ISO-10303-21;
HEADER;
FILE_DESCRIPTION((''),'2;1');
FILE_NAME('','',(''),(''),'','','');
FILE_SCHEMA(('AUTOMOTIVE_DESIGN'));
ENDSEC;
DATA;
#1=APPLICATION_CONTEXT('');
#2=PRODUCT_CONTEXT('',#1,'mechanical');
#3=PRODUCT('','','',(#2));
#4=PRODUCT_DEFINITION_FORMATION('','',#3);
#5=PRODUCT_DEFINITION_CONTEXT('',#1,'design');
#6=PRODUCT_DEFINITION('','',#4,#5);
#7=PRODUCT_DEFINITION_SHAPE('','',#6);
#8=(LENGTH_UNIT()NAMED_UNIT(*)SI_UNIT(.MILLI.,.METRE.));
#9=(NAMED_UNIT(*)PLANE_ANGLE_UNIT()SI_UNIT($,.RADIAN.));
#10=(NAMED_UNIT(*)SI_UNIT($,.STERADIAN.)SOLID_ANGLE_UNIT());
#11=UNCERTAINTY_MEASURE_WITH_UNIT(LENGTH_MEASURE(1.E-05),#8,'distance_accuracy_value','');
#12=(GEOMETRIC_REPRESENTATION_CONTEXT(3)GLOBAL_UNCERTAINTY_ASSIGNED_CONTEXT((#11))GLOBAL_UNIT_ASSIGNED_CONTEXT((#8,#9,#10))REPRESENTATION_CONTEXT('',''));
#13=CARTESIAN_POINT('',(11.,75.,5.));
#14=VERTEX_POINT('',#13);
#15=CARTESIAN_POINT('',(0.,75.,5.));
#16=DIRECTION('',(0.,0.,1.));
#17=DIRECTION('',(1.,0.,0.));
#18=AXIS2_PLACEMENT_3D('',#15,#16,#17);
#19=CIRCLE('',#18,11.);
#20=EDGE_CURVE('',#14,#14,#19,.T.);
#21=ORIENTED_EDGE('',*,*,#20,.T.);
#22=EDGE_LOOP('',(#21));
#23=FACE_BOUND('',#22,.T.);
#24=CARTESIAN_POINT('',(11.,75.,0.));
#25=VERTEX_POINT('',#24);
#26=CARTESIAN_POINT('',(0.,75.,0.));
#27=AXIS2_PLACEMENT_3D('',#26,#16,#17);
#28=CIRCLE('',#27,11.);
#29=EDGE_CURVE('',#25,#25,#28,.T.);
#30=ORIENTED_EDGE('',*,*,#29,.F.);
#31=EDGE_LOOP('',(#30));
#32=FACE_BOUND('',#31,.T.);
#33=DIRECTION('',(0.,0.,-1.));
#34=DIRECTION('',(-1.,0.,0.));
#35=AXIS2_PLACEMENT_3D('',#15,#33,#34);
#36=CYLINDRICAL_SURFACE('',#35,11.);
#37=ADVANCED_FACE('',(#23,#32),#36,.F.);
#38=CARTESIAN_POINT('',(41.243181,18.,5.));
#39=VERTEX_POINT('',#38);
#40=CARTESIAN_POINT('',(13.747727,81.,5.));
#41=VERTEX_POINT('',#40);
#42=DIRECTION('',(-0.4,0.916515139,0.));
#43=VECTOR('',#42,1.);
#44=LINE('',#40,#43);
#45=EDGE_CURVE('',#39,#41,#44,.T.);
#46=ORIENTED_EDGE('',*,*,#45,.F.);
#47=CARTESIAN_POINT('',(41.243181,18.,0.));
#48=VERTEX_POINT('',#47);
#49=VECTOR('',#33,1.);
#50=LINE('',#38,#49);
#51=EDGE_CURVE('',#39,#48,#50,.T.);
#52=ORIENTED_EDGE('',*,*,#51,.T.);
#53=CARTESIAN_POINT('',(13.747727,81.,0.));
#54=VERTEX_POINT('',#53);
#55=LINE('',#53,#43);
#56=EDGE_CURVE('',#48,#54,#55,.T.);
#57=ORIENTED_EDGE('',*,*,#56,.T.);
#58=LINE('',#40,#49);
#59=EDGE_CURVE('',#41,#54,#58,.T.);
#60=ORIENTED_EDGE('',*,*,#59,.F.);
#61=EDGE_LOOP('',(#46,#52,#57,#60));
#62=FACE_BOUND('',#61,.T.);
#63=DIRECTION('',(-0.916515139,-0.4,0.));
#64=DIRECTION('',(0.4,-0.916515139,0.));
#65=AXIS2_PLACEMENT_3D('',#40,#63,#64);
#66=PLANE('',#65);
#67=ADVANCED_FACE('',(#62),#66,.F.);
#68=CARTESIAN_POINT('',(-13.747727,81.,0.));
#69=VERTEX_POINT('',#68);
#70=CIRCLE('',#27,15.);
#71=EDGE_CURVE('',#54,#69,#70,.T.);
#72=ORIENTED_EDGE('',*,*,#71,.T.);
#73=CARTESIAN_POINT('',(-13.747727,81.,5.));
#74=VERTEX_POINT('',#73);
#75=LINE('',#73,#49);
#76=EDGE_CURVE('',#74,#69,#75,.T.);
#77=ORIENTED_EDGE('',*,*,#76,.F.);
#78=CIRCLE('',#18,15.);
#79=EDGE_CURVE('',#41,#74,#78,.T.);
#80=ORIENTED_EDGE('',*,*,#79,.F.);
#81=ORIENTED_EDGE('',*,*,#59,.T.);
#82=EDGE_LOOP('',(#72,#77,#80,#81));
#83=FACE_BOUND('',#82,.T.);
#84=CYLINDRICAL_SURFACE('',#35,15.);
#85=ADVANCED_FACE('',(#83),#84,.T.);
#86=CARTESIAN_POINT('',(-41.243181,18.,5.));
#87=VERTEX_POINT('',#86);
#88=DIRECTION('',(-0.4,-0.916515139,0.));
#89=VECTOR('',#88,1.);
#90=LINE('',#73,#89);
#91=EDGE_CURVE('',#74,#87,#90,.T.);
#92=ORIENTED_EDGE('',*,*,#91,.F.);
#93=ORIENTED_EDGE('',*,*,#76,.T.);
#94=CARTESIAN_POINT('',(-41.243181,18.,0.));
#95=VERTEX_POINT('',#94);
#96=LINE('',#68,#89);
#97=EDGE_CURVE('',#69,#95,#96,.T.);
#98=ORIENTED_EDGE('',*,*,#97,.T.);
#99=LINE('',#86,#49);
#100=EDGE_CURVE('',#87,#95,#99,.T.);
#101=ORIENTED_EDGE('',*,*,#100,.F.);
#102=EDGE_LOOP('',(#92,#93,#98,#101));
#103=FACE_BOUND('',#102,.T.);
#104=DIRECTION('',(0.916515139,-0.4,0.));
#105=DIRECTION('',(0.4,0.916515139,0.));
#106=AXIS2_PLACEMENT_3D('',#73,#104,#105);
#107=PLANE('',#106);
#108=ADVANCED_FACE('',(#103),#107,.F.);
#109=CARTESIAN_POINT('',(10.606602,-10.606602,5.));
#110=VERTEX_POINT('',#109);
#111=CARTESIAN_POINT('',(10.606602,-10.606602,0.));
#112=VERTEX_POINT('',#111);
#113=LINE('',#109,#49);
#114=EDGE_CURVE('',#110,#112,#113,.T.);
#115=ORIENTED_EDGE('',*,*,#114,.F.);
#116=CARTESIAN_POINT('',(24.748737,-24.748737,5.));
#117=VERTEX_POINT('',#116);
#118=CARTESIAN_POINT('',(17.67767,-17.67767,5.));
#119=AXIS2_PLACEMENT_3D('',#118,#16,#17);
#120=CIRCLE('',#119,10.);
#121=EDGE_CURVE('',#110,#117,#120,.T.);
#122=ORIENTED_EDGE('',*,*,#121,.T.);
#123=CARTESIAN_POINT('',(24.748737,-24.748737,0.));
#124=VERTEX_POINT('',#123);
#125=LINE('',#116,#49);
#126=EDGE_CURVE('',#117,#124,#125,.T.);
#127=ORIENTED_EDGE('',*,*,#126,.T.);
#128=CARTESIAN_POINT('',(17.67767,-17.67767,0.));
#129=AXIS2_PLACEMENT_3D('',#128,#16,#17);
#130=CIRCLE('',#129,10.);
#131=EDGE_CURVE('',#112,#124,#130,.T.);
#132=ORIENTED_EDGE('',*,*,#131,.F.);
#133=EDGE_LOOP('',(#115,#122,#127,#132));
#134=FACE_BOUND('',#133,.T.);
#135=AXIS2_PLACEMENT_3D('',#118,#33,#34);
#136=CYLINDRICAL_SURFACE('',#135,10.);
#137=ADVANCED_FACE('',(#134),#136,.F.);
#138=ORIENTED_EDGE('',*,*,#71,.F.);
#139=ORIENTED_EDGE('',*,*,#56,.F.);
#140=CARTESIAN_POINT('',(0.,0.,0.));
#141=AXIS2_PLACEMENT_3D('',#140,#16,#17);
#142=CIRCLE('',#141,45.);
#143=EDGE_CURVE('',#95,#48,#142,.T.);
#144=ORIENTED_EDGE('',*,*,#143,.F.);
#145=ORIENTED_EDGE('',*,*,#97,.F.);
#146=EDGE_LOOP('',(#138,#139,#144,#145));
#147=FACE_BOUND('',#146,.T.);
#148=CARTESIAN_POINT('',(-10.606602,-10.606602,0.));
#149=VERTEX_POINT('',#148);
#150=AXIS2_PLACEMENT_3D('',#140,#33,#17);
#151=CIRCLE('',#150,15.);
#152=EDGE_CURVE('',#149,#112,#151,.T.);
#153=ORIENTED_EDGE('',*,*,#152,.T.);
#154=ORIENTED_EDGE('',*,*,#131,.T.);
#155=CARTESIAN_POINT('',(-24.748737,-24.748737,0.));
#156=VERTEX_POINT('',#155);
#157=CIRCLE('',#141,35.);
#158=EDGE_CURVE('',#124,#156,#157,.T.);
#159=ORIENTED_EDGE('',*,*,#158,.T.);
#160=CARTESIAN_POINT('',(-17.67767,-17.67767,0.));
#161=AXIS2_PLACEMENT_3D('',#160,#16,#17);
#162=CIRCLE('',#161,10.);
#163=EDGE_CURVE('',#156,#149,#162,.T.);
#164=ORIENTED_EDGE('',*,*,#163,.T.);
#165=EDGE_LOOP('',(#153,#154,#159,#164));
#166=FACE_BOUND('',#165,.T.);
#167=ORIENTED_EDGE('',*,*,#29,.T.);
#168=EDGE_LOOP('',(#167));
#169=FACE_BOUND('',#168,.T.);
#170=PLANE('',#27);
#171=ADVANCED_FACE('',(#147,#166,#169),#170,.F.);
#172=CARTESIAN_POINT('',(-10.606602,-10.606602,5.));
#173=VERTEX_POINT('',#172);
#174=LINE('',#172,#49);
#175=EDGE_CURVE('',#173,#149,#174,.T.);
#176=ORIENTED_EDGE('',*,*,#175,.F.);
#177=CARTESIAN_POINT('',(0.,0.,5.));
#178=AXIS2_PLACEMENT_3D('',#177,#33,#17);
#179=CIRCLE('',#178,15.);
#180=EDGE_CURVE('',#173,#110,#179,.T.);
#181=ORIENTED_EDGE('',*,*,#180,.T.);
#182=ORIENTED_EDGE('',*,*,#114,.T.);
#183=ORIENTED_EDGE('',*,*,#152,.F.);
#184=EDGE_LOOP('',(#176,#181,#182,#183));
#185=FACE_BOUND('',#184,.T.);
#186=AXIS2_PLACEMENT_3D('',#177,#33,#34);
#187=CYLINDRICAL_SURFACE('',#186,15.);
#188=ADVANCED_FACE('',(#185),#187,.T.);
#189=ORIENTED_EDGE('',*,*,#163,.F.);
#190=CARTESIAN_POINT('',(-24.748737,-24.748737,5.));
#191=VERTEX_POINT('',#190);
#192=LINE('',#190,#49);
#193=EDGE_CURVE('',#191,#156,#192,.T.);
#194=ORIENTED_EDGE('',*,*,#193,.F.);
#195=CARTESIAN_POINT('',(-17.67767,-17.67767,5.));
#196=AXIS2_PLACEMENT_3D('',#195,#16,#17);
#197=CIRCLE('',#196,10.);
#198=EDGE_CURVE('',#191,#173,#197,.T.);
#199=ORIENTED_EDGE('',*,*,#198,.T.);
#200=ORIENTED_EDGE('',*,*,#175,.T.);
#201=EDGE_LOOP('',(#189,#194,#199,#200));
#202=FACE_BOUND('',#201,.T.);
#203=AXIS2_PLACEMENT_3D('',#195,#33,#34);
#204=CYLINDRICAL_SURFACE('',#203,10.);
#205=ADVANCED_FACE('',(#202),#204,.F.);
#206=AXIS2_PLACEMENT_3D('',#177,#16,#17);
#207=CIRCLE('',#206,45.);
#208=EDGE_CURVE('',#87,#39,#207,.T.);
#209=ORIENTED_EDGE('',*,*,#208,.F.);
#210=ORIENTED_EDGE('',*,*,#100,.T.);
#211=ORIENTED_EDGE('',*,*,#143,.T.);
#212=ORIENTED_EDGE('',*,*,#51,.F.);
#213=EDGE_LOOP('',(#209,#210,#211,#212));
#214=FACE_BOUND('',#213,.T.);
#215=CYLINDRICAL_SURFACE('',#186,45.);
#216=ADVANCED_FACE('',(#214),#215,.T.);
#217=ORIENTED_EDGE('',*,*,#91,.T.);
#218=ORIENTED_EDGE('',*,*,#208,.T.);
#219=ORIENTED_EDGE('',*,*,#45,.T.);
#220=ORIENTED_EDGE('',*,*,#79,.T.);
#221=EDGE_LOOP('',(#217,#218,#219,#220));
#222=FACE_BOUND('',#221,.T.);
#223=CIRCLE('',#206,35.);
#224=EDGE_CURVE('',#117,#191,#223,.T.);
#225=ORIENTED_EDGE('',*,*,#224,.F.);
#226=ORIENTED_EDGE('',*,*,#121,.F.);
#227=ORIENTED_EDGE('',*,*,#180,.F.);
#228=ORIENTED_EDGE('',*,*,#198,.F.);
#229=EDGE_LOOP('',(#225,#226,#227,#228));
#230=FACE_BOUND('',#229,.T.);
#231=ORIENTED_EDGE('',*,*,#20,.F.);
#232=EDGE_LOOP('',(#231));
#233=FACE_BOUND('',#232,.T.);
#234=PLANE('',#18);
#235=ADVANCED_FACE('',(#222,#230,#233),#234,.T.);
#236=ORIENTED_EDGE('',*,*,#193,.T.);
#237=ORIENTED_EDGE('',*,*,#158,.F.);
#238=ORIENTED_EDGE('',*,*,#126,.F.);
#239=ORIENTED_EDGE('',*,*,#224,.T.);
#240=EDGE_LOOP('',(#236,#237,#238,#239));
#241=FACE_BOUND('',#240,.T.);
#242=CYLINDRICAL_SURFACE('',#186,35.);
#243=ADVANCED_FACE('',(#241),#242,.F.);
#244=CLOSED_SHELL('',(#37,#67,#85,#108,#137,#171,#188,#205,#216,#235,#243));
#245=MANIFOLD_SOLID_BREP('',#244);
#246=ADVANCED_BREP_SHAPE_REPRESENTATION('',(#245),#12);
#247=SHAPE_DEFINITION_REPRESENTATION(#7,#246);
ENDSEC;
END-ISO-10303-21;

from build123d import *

# Parameters (mm, degrees)
CROQUIS1_R              = 11
SALIENTE_EXTRUIR1_DEPTH = 5


with BuildPart() as part:
    # Croquis1 → Saliente-Extruir1 (new body)
    with BuildSketch(Plane.XY):
        with BuildLine():
            Line((-13.747727085, 81), (-41.243181255, 18))
            ThreePointArc((-41.243181255, 18), (0, -45), (41.243181255, 18))
            Line((41.243181255, 18), (13.747727085, 81))
            ThreePointArc((13.747727085, 81), (0, 90), (-13.747727085, 81))
        make_face()
        with Locations((0, 75)):
            Circle(CROQUIS1_R, mode=Mode.SUBTRACT)
        with BuildLine():
            ThreePointArc((24.748737342, -24.748737342), (0, 35), (-24.748737342, -24.748737342))
            ThreePointArc((-24.748737342, -24.748737342), (-10.606601718, -24.748737342), (-10.606601718, -10.606601718))
            ThreePointArc((-10.606601718, -10.606601718), (0, 15), (10.606601718, -10.606601718))
            ThreePointArc((10.606601718, -10.606601718), (10.606601718, -24.748737342), (24.748737342, -24.748737342))
        make_face(mode=Mode.SUBTRACT)
    extrude(amount=SALIENTE_EXTRUIR1_DEPTH)


solid = part.part
